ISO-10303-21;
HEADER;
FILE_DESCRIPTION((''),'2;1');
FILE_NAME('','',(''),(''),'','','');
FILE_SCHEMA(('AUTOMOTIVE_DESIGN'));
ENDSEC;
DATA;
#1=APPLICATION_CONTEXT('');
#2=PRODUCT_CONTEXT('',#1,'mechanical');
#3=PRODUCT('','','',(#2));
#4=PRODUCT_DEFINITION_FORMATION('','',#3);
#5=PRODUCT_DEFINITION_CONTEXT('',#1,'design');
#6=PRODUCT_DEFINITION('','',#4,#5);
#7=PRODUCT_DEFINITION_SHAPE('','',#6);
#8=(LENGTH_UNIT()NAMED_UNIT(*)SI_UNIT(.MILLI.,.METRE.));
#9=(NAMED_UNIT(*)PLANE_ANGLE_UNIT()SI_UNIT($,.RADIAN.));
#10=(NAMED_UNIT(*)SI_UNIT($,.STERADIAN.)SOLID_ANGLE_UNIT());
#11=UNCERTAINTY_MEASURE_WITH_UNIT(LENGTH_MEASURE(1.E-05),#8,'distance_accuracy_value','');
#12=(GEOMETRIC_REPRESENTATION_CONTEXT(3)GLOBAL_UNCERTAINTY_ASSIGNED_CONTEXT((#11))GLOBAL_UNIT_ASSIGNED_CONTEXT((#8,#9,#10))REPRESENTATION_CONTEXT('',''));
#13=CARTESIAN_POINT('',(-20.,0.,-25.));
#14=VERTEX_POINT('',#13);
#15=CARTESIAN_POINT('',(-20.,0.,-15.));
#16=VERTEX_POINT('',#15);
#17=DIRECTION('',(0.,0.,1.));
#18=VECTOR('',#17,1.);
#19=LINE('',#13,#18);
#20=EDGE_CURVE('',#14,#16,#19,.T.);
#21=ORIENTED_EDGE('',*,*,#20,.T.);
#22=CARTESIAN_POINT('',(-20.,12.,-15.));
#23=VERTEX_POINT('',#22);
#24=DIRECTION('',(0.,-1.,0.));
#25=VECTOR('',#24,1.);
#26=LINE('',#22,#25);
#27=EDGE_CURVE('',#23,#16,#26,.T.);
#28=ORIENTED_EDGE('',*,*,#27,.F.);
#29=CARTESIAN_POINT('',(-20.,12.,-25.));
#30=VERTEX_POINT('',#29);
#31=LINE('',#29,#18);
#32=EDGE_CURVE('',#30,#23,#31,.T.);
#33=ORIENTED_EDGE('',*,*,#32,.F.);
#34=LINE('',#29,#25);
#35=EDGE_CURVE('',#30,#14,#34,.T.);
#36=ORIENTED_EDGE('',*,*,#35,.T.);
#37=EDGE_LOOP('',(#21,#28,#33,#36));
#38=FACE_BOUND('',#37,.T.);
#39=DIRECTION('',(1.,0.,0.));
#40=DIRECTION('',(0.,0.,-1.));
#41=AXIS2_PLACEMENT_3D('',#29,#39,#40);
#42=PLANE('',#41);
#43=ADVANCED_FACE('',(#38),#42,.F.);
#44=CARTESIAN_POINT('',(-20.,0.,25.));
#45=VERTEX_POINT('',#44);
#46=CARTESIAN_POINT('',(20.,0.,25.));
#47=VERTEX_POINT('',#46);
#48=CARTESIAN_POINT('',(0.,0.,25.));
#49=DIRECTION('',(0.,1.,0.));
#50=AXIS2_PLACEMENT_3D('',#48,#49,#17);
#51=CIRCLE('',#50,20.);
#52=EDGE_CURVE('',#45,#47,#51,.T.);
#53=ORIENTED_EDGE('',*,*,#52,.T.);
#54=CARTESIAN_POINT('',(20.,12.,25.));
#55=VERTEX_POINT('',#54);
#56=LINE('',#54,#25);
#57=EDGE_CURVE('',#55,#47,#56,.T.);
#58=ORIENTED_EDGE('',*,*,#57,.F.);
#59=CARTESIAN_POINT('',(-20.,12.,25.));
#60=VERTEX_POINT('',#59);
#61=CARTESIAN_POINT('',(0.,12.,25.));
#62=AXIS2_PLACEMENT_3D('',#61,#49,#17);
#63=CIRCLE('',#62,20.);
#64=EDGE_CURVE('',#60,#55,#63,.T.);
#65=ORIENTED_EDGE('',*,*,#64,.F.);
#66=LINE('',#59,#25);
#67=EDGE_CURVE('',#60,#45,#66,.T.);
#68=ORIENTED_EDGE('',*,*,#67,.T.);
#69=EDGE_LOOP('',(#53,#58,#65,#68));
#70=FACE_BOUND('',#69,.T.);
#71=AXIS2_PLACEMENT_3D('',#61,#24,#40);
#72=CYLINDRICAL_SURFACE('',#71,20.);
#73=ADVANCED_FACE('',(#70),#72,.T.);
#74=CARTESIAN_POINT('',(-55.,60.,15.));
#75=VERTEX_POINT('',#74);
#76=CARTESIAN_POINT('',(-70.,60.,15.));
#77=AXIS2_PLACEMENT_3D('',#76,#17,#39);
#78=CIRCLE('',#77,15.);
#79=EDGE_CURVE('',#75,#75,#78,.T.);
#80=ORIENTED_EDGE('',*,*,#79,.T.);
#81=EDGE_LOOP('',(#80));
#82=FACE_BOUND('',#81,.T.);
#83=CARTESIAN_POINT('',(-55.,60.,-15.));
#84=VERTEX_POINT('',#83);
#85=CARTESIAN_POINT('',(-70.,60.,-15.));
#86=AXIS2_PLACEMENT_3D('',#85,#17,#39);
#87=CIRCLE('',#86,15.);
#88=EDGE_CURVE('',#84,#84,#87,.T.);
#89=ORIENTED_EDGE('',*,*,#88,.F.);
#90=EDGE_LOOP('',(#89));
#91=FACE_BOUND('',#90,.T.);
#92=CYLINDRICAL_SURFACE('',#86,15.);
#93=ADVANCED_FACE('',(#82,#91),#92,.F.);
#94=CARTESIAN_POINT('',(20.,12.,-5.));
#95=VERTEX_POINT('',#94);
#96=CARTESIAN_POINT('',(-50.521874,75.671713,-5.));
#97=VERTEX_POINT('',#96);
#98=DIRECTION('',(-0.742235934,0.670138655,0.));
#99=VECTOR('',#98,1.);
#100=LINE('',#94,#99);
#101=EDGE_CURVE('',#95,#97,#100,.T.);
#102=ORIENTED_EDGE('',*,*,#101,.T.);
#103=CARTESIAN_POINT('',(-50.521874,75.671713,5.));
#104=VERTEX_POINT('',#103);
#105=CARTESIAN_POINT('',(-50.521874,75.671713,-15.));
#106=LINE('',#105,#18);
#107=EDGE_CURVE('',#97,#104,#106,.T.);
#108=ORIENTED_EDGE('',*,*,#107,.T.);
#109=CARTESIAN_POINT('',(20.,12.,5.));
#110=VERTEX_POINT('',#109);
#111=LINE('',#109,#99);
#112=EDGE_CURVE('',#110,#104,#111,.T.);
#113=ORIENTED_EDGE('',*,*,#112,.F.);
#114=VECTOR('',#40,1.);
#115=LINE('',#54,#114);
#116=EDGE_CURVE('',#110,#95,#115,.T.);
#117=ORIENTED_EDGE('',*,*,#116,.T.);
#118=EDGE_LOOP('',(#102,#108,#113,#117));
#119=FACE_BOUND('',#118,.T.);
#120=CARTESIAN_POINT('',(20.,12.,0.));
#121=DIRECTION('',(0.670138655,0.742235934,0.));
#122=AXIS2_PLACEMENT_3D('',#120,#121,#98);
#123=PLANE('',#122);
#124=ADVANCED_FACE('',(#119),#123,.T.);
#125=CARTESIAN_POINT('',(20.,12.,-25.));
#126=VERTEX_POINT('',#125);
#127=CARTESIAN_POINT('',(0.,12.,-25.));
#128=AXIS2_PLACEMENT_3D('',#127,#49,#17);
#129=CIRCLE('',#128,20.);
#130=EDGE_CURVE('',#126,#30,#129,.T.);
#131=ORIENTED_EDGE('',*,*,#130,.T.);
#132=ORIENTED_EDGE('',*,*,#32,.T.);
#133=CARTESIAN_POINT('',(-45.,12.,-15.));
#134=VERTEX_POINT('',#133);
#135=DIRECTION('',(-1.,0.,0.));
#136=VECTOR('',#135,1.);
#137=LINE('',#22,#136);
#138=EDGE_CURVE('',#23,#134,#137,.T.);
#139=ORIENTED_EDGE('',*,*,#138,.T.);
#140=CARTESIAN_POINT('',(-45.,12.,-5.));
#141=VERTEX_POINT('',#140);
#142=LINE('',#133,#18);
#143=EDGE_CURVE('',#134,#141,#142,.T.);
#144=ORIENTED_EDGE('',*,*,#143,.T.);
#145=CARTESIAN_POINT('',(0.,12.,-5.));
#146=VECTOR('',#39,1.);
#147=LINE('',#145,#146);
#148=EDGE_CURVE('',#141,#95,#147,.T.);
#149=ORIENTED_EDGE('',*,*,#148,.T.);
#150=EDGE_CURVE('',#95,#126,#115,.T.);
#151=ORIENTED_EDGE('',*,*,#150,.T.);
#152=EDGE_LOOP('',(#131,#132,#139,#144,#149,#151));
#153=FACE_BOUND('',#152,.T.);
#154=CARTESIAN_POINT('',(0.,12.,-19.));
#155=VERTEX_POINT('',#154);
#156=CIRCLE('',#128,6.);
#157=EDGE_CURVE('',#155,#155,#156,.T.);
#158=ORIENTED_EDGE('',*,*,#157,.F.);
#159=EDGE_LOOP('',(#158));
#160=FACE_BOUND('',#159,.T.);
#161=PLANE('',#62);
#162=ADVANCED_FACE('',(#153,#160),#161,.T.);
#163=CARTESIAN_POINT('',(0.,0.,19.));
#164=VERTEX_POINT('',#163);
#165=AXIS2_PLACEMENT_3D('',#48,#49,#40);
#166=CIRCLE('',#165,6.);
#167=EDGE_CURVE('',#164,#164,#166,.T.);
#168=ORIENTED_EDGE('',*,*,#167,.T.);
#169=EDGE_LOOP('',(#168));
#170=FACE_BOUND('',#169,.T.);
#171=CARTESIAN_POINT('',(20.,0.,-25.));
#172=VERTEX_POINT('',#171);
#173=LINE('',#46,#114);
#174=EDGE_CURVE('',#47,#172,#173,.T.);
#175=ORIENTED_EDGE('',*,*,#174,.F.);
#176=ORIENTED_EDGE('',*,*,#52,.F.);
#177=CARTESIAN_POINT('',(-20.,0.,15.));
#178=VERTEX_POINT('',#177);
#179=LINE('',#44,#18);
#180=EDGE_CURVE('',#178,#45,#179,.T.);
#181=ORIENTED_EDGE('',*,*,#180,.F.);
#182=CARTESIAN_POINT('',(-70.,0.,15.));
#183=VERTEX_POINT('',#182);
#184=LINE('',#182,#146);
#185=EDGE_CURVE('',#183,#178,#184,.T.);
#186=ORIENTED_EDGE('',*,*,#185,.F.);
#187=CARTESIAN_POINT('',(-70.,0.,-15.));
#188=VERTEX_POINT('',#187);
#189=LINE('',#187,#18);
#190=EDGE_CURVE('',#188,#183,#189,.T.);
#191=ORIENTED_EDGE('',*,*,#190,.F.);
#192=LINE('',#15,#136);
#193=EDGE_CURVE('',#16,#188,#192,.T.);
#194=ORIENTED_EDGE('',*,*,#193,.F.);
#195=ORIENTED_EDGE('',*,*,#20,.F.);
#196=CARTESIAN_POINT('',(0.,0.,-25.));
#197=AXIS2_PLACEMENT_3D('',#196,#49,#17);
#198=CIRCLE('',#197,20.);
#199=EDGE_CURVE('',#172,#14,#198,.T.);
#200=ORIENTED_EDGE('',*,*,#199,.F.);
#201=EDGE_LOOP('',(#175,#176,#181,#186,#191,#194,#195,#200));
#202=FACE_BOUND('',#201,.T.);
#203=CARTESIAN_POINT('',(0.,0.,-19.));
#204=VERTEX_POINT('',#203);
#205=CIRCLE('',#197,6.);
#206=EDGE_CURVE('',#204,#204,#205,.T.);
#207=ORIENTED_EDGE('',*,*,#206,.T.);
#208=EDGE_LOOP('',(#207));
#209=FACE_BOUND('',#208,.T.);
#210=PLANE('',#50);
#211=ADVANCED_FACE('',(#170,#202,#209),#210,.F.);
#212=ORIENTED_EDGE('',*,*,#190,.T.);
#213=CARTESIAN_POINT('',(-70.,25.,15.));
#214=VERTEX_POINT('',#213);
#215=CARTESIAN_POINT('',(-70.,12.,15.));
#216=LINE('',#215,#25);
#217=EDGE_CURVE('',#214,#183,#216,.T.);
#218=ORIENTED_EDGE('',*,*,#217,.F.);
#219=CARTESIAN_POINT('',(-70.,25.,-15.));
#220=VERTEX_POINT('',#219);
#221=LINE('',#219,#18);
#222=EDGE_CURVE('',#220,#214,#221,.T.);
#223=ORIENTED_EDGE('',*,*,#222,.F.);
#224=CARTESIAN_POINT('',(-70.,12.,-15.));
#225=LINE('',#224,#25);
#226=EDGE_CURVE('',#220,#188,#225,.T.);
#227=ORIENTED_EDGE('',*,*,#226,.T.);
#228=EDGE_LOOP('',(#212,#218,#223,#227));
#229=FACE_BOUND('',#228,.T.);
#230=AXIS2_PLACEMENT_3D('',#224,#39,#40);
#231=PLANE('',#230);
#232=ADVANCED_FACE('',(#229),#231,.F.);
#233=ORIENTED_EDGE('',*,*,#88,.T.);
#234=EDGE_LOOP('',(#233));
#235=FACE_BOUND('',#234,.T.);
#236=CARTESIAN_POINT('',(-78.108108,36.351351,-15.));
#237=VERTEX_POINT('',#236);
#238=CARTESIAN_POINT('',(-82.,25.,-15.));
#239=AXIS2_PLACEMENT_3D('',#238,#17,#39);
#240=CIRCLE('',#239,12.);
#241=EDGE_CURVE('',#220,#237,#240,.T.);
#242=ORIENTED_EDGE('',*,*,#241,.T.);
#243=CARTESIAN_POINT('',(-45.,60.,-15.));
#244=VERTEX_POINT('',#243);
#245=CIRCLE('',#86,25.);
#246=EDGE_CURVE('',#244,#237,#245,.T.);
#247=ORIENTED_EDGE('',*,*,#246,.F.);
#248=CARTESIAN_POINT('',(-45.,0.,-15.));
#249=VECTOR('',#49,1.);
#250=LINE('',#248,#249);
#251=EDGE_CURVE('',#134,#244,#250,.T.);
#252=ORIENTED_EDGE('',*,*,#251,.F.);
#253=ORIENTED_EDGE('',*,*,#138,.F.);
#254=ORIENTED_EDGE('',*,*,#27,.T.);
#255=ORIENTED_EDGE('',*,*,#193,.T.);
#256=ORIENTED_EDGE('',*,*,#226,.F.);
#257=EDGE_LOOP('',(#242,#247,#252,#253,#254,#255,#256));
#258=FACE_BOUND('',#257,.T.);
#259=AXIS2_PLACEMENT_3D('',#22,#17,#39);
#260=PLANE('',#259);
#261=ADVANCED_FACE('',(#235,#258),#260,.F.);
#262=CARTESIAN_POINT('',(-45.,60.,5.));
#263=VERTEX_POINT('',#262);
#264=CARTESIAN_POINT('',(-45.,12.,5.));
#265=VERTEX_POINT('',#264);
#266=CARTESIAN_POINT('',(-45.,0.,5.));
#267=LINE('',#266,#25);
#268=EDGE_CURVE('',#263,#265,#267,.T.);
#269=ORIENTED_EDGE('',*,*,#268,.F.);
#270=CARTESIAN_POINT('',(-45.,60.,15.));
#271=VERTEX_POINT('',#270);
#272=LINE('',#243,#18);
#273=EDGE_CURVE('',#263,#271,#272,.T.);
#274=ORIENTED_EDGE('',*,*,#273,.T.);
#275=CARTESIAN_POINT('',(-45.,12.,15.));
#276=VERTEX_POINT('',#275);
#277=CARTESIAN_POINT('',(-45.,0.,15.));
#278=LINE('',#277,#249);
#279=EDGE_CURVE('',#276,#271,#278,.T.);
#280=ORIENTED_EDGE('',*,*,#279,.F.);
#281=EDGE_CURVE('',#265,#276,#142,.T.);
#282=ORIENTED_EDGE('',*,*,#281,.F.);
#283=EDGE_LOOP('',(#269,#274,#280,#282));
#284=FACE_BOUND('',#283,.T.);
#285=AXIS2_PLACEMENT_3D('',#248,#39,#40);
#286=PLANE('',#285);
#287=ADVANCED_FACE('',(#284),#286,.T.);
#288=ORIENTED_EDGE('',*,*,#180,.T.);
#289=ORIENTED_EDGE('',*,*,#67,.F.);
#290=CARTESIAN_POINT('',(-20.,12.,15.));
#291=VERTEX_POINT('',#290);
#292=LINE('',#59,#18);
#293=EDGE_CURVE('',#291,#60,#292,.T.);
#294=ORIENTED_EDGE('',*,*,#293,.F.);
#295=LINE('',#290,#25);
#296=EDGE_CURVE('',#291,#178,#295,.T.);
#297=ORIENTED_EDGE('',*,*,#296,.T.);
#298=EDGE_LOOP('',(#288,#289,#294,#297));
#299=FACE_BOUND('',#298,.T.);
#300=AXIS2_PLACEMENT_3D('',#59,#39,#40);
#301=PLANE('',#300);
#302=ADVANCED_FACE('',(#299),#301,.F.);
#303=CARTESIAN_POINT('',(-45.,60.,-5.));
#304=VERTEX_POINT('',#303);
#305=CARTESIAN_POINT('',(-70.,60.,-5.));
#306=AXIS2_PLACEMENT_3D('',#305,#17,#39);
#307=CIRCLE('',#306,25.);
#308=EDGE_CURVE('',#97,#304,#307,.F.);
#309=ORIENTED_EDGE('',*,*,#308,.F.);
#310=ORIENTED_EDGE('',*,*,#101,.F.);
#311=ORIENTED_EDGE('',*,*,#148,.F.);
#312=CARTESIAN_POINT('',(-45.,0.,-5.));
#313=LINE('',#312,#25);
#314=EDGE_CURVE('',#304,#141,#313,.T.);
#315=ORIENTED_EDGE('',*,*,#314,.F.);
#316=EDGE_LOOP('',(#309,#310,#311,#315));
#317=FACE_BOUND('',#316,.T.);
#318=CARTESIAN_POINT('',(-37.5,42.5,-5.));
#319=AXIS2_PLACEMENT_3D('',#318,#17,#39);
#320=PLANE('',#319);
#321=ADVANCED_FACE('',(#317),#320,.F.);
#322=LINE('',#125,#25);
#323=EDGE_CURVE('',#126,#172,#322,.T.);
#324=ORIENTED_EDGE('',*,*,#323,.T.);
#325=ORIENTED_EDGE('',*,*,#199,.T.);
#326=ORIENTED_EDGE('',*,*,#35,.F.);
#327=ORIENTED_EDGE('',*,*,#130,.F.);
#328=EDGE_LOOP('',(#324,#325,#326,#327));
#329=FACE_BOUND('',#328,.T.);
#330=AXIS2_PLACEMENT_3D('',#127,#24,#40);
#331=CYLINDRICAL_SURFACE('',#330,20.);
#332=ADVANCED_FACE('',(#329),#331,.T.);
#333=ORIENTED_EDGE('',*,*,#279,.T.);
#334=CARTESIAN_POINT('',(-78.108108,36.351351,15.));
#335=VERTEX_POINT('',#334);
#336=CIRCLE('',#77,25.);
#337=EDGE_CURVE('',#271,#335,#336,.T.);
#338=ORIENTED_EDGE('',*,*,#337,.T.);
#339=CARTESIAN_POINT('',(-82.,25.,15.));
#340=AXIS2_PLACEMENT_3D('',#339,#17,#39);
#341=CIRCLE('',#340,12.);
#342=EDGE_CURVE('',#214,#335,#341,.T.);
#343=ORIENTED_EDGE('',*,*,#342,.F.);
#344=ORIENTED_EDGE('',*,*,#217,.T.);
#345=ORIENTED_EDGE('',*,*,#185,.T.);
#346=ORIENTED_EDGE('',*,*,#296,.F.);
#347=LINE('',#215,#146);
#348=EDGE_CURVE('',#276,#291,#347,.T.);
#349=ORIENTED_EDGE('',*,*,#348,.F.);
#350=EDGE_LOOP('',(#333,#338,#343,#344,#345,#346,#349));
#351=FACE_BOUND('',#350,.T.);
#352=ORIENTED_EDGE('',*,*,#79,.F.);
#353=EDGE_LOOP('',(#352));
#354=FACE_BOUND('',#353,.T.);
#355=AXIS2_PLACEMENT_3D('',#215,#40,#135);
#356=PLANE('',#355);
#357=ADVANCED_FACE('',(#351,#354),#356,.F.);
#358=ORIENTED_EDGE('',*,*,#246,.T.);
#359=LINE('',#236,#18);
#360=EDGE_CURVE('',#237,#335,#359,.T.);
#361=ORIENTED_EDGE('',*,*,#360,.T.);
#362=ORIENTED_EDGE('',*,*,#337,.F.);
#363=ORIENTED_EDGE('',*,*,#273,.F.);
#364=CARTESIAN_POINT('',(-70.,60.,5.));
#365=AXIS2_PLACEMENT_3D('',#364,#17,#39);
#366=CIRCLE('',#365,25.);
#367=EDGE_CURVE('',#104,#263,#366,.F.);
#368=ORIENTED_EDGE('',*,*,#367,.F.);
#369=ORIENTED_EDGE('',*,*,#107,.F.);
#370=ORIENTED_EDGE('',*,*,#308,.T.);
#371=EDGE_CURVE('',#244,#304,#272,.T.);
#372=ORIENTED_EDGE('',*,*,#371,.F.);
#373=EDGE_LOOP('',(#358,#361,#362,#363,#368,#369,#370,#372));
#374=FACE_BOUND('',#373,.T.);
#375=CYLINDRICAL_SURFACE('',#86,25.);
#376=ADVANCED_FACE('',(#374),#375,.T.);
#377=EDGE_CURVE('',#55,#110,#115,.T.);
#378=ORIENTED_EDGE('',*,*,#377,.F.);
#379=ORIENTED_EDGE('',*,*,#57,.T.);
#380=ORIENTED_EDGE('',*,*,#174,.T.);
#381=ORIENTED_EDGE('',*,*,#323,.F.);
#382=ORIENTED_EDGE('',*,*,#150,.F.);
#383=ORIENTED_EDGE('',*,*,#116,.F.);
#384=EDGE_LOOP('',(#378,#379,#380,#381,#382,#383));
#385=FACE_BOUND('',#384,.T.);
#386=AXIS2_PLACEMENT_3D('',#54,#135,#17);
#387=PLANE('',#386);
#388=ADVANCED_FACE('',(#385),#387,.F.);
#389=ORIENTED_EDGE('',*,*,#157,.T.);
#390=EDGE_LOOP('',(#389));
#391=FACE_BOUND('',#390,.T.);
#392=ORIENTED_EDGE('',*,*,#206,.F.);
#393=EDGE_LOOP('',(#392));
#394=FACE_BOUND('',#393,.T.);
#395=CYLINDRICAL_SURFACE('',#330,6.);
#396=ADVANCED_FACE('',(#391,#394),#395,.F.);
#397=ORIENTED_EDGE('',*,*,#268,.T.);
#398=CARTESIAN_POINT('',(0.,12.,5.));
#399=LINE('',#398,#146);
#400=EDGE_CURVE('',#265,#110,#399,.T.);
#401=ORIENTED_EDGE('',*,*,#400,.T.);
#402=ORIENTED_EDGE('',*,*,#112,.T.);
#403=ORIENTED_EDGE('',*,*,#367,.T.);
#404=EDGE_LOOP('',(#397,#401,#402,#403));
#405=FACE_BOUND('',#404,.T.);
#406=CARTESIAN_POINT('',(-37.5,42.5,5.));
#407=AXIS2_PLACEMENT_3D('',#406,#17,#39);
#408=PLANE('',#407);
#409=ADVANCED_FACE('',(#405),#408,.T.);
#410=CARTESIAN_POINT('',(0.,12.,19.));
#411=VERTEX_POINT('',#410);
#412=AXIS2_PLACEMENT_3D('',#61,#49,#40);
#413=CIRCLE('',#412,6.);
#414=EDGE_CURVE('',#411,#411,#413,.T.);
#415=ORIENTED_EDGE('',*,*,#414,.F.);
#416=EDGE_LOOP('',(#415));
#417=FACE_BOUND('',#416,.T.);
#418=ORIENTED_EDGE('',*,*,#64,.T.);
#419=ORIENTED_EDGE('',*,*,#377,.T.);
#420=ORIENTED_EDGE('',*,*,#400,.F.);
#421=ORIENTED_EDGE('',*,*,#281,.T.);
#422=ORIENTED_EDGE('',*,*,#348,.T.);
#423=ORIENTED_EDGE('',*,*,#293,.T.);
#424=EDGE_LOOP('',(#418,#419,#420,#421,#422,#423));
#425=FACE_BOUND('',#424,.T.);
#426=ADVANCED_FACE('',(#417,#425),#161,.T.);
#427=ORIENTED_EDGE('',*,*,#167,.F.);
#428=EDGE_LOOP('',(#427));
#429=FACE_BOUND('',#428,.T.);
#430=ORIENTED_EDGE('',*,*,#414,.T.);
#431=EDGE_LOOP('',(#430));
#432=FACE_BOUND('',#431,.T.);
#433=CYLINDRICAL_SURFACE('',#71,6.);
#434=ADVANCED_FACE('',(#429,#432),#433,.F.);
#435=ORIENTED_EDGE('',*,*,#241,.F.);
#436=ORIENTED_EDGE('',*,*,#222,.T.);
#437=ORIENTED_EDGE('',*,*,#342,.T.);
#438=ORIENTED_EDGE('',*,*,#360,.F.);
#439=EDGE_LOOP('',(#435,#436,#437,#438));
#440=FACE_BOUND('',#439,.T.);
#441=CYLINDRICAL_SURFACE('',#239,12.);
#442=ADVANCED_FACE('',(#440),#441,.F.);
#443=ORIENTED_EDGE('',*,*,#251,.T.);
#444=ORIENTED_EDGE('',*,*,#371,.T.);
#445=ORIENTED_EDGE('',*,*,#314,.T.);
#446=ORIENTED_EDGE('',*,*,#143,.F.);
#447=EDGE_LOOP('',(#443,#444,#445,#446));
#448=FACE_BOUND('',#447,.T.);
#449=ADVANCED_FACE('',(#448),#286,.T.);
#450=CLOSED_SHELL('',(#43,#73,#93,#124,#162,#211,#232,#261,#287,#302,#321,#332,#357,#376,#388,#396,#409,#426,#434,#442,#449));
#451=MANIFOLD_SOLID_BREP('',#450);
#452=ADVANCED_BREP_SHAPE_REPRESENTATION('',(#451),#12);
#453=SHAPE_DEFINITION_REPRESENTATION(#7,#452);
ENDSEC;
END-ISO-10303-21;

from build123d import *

# Parameters (mm, degrees)
SKETCH2_R           = 6
BOSS_EXTRUDE1_DEPTH = 12
SKETCH4_R           = 15
BOSS_EXTRUDE3_DEPTH = 30
RIB10_REACH         = 137.185
SKETCH8_WALL_W      = 367.382862114
SKETCH8_WALL_H      = 10


with BuildPart() as part:
    # Sketch2 → Boss-Extrude1 (new body)
    with BuildSketch(Plane(origin=(0, 0, 0), x_dir=(1, 0, 0), z_dir=(0, 1, 0))):
        with BuildLine():
            Line((20, -25), (20, 25))
            ThreePointArc((20, 25), (0, 45), (-20, 25))
            Line((-20, 25), (-20, 15))
            Line((-20, 15), (-70, 15))
            Line((-70, 15), (-70, -15))
            Line((-70, -15), (-20, -15))
            Line((-20, -15), (-20, -25))
            ThreePointArc((-20, -25), (0, -45), (20, -25))
        make_face()
        with Locations(Location((0, 25, 0), (0, 0, 270))):
            Circle(SKETCH2_R, mode=Mode.SUBTRACT)
        with Locations(Location((0, -25, 0), (0, 0, 90))):
            Circle(SKETCH2_R, mode=Mode.SUBTRACT)
    extrude(amount=BOSS_EXTRUDE1_DEPTH)

    # Sketch4 → Boss-Extrude3 (add)
    with BuildSketch(Plane.XY.offset(15)):
        with BuildLine():
            Line((-70, 25), (-70, 12))
            Line((-70, 12), (-45, 12))
            Line((-45, 12), (-45, 60))
            ThreePointArc((-45, 60), (-84.530954843, 80.34333678), (-78.108108108, 36.351351351))
            ThreePointArc((-78.108108108, 36.351351351), (-72.235198346, 31.974858325), (-70, 25))
        make_face()
        with Locations((-70, 60)):
            Circle(SKETCH4_R, mode=Mode.SUBTRACT)
    extrude(amount=-BOSS_EXTRUDE3_DEPTH)

    # Sketch8 wall → Rib10 (add, up to next)
    with BuildSketch(Plane(origin=(-15.260936943, 43.835856736, 0), x_dir=(-0.742235934483, 0.670138655476, 0), z_dir=(-0.670138655476, -0.742235934483, 0)), mode=Mode.PRIVATE) as rib10_sk1:
        Rectangle(SKETCH8_WALL_W, SKETCH8_WALL_H)
    rib10_tool1 = extrude(rib10_sk1.sketch, amount=RIB10_REACH, mode=Mode.PRIVATE) - part.part
    add(rib10_tool1.solids().sort_by_distance((-15.260936943, 43.835856736, 0))[0])


solid = part.part
